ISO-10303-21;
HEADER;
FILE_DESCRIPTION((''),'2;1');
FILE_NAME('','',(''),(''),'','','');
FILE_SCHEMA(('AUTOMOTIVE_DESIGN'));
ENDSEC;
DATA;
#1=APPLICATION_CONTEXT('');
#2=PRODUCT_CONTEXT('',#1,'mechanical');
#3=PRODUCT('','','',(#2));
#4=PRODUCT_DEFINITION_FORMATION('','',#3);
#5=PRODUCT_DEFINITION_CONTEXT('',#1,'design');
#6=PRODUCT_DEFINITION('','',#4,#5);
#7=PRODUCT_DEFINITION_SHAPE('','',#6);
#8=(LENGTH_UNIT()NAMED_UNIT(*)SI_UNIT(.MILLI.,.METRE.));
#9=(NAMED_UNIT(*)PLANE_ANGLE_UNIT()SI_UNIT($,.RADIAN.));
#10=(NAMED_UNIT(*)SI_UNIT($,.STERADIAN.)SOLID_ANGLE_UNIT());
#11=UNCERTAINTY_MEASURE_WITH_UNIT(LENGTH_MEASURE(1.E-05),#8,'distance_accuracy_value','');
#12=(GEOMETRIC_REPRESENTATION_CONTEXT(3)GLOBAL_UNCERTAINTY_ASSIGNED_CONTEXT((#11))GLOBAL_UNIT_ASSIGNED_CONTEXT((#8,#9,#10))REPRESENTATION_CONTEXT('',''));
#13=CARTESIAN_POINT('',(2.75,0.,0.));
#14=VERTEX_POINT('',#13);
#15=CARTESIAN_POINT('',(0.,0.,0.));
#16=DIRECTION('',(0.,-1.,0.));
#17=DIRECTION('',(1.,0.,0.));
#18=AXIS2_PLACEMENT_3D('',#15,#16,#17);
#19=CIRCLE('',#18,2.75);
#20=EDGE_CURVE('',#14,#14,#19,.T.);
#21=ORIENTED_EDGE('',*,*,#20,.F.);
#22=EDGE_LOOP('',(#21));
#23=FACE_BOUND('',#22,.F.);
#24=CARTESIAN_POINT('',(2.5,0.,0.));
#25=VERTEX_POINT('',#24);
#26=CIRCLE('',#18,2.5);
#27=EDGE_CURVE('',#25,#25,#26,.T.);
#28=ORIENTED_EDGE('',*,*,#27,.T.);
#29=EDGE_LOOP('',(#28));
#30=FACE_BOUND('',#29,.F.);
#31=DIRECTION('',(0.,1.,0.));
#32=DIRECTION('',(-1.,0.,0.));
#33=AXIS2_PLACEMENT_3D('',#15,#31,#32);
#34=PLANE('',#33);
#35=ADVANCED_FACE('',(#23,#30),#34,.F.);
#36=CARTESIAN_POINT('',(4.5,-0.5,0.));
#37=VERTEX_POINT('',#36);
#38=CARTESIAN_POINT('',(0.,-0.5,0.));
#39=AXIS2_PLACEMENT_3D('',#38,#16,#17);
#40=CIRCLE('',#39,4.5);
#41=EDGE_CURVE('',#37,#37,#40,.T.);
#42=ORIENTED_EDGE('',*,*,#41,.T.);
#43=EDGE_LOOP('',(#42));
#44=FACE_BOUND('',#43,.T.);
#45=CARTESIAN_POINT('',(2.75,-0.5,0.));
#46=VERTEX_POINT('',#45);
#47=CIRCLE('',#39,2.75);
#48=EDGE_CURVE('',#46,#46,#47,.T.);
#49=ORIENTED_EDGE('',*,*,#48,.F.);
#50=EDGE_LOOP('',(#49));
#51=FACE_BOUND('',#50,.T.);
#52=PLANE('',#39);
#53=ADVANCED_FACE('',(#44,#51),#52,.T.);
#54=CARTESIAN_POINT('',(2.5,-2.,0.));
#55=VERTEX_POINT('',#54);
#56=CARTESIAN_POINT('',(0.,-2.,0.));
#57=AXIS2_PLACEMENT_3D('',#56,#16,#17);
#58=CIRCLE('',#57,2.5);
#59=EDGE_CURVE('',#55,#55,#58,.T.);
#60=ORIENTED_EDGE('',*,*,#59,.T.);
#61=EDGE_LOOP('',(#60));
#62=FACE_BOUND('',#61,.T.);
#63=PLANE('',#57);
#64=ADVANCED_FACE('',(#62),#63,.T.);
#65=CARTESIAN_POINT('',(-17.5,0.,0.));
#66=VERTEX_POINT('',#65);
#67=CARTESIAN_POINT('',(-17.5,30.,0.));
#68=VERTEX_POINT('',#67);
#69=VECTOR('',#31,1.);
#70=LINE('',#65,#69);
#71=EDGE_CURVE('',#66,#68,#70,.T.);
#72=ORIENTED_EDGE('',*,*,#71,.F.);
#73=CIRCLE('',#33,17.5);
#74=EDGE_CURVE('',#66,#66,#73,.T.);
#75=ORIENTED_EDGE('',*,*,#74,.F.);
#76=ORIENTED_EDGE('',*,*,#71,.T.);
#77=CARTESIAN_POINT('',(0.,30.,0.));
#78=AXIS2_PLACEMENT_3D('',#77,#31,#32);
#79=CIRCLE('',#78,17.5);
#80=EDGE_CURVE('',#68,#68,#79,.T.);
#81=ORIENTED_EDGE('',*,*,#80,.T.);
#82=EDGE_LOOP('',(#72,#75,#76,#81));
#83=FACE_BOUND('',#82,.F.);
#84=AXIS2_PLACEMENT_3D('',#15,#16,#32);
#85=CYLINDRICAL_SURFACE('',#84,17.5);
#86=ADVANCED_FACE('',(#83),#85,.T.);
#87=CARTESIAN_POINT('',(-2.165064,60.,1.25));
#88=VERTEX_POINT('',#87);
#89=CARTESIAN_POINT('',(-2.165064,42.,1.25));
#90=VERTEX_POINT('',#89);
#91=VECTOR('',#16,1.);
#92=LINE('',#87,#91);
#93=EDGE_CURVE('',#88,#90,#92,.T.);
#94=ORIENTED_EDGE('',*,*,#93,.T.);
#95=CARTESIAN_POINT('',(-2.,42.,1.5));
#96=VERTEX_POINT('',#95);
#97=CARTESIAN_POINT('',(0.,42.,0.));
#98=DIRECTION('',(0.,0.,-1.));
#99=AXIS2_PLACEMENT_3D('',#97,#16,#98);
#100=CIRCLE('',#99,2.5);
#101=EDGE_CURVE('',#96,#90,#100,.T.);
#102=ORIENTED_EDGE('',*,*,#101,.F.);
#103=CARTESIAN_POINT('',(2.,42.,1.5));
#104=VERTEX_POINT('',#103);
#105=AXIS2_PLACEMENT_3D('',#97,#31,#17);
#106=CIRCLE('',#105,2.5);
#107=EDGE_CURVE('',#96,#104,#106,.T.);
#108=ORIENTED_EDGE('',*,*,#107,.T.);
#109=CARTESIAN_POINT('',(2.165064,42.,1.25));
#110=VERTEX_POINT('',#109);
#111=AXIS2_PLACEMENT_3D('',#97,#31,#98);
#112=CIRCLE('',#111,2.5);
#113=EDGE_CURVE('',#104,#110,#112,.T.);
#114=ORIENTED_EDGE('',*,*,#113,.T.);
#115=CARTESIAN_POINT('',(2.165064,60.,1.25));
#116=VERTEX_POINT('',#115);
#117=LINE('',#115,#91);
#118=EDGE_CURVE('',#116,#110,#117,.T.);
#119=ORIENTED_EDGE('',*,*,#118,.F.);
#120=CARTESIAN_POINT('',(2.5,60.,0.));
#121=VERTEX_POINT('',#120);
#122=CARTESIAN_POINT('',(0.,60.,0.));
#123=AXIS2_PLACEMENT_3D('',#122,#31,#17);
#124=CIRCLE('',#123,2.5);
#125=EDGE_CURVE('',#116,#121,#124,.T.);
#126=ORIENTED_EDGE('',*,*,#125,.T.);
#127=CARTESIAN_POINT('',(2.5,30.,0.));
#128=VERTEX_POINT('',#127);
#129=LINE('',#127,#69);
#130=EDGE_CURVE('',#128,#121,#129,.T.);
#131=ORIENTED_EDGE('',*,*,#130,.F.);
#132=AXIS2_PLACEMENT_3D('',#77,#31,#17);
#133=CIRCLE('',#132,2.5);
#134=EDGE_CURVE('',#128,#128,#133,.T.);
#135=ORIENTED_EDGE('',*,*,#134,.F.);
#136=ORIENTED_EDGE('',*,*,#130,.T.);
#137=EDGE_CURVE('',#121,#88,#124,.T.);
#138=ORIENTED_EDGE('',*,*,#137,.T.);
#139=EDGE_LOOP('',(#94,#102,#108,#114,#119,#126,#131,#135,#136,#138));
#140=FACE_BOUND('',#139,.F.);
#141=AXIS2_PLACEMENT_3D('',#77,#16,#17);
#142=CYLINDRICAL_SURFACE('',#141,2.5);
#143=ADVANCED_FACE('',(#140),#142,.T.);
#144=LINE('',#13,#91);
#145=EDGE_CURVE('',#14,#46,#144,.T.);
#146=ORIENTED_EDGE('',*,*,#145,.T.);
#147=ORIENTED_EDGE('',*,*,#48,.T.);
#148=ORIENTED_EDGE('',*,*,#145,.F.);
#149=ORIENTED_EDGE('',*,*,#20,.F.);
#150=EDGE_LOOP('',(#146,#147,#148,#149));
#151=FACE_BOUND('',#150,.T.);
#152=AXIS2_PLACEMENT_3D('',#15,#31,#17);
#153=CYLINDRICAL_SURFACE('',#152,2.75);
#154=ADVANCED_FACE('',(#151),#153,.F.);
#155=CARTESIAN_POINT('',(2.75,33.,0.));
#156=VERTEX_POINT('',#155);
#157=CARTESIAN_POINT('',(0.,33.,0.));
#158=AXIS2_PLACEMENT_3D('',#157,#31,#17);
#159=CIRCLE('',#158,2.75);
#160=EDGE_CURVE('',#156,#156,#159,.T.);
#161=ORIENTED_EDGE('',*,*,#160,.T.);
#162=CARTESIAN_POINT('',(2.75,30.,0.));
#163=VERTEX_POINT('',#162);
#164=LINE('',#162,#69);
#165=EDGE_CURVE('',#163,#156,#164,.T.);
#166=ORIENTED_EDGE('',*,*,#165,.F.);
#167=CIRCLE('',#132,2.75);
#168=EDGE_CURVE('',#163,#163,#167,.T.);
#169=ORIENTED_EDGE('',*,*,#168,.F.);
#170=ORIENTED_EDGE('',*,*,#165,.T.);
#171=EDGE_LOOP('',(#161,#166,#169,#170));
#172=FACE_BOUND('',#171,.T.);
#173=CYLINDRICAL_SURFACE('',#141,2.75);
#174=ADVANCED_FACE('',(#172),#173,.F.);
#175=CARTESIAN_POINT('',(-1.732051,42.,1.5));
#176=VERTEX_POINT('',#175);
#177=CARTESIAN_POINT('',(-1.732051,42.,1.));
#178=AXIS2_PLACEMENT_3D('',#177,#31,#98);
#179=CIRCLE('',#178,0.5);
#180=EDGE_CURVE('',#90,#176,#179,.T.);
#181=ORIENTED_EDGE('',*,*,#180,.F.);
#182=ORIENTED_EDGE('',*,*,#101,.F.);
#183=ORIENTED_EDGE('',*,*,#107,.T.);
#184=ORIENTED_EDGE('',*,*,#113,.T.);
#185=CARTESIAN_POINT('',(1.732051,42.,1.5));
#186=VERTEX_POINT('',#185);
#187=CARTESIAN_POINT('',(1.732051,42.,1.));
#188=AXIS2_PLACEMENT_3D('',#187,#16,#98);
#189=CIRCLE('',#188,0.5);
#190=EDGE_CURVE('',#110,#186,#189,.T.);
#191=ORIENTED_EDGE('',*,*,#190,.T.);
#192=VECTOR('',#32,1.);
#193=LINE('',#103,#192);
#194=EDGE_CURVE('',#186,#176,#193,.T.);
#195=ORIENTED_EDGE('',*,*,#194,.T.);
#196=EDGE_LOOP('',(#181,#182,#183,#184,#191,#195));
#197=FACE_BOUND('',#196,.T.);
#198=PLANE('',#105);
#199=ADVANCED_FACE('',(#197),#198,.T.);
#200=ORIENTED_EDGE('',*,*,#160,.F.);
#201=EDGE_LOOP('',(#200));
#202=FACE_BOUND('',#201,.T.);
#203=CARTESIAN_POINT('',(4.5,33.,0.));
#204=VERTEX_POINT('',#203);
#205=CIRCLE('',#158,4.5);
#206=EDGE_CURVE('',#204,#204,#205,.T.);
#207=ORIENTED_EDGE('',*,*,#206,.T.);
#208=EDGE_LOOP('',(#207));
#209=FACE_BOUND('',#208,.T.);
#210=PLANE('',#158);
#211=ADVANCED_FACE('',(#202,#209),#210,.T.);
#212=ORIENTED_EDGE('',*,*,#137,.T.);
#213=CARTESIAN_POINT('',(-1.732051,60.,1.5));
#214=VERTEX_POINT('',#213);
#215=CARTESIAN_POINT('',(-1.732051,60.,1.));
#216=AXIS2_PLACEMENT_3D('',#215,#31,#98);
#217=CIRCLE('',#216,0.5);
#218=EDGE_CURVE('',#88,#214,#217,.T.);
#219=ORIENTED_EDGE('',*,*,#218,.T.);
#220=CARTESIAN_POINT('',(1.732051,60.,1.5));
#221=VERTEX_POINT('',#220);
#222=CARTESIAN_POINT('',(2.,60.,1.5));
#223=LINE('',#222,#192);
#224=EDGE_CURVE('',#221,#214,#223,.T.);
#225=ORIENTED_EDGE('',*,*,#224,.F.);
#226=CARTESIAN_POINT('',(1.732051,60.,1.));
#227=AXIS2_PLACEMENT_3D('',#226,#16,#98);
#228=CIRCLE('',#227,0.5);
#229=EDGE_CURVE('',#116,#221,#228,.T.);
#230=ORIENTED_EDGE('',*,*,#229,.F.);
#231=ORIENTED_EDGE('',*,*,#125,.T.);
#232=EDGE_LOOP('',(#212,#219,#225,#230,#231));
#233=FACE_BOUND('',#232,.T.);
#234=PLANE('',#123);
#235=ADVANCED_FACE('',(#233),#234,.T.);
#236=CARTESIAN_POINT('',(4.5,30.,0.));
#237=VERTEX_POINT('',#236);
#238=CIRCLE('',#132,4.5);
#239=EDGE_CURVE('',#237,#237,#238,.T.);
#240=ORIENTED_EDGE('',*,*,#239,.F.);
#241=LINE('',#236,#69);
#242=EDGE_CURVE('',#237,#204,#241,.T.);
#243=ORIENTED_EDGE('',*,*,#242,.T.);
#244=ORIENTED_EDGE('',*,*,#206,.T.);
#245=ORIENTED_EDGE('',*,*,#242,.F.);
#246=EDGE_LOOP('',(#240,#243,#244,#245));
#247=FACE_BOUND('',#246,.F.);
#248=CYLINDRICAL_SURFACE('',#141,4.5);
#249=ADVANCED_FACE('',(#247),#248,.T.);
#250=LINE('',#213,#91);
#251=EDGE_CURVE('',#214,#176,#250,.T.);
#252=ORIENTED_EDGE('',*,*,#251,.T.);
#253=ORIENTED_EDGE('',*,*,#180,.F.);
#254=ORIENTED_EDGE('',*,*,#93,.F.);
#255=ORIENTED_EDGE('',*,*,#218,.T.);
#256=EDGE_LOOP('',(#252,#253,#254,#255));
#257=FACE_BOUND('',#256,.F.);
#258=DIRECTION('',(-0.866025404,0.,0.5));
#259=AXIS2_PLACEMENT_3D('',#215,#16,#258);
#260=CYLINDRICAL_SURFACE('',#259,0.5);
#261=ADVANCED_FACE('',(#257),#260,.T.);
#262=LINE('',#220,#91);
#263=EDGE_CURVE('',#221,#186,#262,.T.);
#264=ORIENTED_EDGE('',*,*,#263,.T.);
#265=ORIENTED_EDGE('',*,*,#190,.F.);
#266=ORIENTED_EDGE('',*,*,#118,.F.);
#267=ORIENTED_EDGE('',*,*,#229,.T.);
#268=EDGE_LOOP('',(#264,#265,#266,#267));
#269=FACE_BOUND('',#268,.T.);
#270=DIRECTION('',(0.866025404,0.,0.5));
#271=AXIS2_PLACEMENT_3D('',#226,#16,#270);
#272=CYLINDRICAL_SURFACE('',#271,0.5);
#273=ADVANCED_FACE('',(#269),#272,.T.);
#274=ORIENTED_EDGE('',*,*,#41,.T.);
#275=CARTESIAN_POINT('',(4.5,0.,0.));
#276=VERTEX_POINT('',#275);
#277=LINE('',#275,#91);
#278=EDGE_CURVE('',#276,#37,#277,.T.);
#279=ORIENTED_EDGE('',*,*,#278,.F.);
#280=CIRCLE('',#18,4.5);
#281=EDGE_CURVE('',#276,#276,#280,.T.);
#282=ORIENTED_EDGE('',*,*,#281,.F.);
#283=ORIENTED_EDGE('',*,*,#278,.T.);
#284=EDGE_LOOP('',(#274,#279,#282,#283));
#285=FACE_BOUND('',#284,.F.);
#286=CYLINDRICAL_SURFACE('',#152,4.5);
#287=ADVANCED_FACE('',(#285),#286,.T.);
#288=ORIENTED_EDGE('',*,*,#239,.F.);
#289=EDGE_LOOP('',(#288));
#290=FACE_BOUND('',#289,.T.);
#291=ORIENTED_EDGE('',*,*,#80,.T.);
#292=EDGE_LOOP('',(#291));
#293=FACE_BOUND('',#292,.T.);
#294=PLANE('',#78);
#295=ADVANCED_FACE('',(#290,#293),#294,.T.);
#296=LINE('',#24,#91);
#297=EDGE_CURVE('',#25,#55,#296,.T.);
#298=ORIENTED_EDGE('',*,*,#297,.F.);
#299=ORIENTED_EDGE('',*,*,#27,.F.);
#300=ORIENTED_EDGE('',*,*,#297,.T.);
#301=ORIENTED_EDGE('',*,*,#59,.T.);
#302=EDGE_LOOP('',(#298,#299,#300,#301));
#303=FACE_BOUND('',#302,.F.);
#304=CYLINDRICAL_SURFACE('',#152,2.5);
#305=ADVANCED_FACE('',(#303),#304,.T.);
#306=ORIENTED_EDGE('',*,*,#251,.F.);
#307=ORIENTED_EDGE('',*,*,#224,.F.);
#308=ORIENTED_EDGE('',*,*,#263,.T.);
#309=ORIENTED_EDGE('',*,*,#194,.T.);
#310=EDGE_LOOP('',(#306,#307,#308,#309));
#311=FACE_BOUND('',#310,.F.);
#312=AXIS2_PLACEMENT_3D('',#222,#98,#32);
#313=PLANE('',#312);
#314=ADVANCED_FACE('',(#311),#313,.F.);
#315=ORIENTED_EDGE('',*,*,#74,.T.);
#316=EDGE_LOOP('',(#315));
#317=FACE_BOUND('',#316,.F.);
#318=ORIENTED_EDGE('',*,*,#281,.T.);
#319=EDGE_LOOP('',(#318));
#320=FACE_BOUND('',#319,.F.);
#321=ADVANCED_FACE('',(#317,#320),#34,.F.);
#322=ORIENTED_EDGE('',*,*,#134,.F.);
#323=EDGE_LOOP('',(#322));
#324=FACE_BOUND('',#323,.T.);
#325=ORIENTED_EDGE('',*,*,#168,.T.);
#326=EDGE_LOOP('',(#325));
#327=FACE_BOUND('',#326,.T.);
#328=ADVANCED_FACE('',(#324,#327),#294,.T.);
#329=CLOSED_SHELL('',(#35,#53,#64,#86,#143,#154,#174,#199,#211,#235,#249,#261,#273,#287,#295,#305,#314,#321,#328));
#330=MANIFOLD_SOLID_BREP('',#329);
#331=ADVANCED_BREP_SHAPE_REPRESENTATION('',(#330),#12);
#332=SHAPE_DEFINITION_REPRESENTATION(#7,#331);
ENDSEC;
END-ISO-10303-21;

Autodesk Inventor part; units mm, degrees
ref_plane "YZ Plane" through (0, 0, 0) normal (1, 0, 0) x (0, 1, 0)
ref_plane "XZ Plane" through (0, 0, 0) normal (0, 1, 0) x (-1, 0, 0)
ref_plane "XY Plane" through (0, 0, 0) normal (0, 0, 1) x (1, 0, 0)
sketch "Sketch1" plane through (0, 0, 0) normal (0, 1, 0) x (-1, 0, 0)
  circle A0 centre (0, 0) radius 17.5
  dimension "d0" = 35
extrude "Extrusion1" add sketch "Sketch1" along normal blind 30
sketch "Sketch2" plane through (0, 0, 0) normal (0, -1, 0) x (1, 0, 0)
  circle A0 centre (0, 0) radius 2.5
  dimension "d3" = 5
extrude "Extrusion2" add sketch "Sketch2" along normal blind 2
sketch "Sketch3" plane through (0, 30, 0) normal (0, 1, 0) x (1, 0, 0)
  circle A0 centre (0, 0) radius 2.5
  dimension "d6" = 5
extrude "Extrusion3" add sketch "Sketch3" along normal blind 30
sketch "Sketch4" plane through (0, 30, 0) normal (0, 1, 0) x (1, 0, 0)
  circle A0 centre (0, 0) radius 4.5
  circle A1 centre (0, 0) radius 2.75
  dimension "d9" = 9
  dimension "d12" = 5.5
extrude "Extrusion5" add sketch "Sketch4" along normal blind 3
sketch "Sketch5" plane through (0, 0, 0) normal (0, -1, 0) x (1, 0, 0)
  circle A0 centre (0, 0) radius 2.75
  circle A1 centre (0, 0) radius 4.5
  dimension "d15" = 5.5
  dimension "d16" = 9
extrude "Extrusion6" add sketch "Sketch5" along normal blind 0.5
sketch "Sketch6" plane through (0, 60, 0) normal (0, 1, 0) x (1, 0, 0)
  line L0 (2.243, -1.5) -> (-2.3112, -1.5)
  circle A0 centre (0, 0) radius 2.75 projected
  circle A1 centre (0, 0) radius 2.5 projected
  circle A2 centre (0, 0) radius 2.5 projected
  line L1 (2, -1.5) -> (-2, -1.5)
  dimension "d19" = 1.5
extrude "Extrusion7" cut sketch "Sketch6" against normal blind 18 contours A1 L0 picked at (-0.534, -1.6398)
fillet "Fillet1" radius 0.5 2 edges at (2, 51, 1.5) (-2, 51, 1.5)
